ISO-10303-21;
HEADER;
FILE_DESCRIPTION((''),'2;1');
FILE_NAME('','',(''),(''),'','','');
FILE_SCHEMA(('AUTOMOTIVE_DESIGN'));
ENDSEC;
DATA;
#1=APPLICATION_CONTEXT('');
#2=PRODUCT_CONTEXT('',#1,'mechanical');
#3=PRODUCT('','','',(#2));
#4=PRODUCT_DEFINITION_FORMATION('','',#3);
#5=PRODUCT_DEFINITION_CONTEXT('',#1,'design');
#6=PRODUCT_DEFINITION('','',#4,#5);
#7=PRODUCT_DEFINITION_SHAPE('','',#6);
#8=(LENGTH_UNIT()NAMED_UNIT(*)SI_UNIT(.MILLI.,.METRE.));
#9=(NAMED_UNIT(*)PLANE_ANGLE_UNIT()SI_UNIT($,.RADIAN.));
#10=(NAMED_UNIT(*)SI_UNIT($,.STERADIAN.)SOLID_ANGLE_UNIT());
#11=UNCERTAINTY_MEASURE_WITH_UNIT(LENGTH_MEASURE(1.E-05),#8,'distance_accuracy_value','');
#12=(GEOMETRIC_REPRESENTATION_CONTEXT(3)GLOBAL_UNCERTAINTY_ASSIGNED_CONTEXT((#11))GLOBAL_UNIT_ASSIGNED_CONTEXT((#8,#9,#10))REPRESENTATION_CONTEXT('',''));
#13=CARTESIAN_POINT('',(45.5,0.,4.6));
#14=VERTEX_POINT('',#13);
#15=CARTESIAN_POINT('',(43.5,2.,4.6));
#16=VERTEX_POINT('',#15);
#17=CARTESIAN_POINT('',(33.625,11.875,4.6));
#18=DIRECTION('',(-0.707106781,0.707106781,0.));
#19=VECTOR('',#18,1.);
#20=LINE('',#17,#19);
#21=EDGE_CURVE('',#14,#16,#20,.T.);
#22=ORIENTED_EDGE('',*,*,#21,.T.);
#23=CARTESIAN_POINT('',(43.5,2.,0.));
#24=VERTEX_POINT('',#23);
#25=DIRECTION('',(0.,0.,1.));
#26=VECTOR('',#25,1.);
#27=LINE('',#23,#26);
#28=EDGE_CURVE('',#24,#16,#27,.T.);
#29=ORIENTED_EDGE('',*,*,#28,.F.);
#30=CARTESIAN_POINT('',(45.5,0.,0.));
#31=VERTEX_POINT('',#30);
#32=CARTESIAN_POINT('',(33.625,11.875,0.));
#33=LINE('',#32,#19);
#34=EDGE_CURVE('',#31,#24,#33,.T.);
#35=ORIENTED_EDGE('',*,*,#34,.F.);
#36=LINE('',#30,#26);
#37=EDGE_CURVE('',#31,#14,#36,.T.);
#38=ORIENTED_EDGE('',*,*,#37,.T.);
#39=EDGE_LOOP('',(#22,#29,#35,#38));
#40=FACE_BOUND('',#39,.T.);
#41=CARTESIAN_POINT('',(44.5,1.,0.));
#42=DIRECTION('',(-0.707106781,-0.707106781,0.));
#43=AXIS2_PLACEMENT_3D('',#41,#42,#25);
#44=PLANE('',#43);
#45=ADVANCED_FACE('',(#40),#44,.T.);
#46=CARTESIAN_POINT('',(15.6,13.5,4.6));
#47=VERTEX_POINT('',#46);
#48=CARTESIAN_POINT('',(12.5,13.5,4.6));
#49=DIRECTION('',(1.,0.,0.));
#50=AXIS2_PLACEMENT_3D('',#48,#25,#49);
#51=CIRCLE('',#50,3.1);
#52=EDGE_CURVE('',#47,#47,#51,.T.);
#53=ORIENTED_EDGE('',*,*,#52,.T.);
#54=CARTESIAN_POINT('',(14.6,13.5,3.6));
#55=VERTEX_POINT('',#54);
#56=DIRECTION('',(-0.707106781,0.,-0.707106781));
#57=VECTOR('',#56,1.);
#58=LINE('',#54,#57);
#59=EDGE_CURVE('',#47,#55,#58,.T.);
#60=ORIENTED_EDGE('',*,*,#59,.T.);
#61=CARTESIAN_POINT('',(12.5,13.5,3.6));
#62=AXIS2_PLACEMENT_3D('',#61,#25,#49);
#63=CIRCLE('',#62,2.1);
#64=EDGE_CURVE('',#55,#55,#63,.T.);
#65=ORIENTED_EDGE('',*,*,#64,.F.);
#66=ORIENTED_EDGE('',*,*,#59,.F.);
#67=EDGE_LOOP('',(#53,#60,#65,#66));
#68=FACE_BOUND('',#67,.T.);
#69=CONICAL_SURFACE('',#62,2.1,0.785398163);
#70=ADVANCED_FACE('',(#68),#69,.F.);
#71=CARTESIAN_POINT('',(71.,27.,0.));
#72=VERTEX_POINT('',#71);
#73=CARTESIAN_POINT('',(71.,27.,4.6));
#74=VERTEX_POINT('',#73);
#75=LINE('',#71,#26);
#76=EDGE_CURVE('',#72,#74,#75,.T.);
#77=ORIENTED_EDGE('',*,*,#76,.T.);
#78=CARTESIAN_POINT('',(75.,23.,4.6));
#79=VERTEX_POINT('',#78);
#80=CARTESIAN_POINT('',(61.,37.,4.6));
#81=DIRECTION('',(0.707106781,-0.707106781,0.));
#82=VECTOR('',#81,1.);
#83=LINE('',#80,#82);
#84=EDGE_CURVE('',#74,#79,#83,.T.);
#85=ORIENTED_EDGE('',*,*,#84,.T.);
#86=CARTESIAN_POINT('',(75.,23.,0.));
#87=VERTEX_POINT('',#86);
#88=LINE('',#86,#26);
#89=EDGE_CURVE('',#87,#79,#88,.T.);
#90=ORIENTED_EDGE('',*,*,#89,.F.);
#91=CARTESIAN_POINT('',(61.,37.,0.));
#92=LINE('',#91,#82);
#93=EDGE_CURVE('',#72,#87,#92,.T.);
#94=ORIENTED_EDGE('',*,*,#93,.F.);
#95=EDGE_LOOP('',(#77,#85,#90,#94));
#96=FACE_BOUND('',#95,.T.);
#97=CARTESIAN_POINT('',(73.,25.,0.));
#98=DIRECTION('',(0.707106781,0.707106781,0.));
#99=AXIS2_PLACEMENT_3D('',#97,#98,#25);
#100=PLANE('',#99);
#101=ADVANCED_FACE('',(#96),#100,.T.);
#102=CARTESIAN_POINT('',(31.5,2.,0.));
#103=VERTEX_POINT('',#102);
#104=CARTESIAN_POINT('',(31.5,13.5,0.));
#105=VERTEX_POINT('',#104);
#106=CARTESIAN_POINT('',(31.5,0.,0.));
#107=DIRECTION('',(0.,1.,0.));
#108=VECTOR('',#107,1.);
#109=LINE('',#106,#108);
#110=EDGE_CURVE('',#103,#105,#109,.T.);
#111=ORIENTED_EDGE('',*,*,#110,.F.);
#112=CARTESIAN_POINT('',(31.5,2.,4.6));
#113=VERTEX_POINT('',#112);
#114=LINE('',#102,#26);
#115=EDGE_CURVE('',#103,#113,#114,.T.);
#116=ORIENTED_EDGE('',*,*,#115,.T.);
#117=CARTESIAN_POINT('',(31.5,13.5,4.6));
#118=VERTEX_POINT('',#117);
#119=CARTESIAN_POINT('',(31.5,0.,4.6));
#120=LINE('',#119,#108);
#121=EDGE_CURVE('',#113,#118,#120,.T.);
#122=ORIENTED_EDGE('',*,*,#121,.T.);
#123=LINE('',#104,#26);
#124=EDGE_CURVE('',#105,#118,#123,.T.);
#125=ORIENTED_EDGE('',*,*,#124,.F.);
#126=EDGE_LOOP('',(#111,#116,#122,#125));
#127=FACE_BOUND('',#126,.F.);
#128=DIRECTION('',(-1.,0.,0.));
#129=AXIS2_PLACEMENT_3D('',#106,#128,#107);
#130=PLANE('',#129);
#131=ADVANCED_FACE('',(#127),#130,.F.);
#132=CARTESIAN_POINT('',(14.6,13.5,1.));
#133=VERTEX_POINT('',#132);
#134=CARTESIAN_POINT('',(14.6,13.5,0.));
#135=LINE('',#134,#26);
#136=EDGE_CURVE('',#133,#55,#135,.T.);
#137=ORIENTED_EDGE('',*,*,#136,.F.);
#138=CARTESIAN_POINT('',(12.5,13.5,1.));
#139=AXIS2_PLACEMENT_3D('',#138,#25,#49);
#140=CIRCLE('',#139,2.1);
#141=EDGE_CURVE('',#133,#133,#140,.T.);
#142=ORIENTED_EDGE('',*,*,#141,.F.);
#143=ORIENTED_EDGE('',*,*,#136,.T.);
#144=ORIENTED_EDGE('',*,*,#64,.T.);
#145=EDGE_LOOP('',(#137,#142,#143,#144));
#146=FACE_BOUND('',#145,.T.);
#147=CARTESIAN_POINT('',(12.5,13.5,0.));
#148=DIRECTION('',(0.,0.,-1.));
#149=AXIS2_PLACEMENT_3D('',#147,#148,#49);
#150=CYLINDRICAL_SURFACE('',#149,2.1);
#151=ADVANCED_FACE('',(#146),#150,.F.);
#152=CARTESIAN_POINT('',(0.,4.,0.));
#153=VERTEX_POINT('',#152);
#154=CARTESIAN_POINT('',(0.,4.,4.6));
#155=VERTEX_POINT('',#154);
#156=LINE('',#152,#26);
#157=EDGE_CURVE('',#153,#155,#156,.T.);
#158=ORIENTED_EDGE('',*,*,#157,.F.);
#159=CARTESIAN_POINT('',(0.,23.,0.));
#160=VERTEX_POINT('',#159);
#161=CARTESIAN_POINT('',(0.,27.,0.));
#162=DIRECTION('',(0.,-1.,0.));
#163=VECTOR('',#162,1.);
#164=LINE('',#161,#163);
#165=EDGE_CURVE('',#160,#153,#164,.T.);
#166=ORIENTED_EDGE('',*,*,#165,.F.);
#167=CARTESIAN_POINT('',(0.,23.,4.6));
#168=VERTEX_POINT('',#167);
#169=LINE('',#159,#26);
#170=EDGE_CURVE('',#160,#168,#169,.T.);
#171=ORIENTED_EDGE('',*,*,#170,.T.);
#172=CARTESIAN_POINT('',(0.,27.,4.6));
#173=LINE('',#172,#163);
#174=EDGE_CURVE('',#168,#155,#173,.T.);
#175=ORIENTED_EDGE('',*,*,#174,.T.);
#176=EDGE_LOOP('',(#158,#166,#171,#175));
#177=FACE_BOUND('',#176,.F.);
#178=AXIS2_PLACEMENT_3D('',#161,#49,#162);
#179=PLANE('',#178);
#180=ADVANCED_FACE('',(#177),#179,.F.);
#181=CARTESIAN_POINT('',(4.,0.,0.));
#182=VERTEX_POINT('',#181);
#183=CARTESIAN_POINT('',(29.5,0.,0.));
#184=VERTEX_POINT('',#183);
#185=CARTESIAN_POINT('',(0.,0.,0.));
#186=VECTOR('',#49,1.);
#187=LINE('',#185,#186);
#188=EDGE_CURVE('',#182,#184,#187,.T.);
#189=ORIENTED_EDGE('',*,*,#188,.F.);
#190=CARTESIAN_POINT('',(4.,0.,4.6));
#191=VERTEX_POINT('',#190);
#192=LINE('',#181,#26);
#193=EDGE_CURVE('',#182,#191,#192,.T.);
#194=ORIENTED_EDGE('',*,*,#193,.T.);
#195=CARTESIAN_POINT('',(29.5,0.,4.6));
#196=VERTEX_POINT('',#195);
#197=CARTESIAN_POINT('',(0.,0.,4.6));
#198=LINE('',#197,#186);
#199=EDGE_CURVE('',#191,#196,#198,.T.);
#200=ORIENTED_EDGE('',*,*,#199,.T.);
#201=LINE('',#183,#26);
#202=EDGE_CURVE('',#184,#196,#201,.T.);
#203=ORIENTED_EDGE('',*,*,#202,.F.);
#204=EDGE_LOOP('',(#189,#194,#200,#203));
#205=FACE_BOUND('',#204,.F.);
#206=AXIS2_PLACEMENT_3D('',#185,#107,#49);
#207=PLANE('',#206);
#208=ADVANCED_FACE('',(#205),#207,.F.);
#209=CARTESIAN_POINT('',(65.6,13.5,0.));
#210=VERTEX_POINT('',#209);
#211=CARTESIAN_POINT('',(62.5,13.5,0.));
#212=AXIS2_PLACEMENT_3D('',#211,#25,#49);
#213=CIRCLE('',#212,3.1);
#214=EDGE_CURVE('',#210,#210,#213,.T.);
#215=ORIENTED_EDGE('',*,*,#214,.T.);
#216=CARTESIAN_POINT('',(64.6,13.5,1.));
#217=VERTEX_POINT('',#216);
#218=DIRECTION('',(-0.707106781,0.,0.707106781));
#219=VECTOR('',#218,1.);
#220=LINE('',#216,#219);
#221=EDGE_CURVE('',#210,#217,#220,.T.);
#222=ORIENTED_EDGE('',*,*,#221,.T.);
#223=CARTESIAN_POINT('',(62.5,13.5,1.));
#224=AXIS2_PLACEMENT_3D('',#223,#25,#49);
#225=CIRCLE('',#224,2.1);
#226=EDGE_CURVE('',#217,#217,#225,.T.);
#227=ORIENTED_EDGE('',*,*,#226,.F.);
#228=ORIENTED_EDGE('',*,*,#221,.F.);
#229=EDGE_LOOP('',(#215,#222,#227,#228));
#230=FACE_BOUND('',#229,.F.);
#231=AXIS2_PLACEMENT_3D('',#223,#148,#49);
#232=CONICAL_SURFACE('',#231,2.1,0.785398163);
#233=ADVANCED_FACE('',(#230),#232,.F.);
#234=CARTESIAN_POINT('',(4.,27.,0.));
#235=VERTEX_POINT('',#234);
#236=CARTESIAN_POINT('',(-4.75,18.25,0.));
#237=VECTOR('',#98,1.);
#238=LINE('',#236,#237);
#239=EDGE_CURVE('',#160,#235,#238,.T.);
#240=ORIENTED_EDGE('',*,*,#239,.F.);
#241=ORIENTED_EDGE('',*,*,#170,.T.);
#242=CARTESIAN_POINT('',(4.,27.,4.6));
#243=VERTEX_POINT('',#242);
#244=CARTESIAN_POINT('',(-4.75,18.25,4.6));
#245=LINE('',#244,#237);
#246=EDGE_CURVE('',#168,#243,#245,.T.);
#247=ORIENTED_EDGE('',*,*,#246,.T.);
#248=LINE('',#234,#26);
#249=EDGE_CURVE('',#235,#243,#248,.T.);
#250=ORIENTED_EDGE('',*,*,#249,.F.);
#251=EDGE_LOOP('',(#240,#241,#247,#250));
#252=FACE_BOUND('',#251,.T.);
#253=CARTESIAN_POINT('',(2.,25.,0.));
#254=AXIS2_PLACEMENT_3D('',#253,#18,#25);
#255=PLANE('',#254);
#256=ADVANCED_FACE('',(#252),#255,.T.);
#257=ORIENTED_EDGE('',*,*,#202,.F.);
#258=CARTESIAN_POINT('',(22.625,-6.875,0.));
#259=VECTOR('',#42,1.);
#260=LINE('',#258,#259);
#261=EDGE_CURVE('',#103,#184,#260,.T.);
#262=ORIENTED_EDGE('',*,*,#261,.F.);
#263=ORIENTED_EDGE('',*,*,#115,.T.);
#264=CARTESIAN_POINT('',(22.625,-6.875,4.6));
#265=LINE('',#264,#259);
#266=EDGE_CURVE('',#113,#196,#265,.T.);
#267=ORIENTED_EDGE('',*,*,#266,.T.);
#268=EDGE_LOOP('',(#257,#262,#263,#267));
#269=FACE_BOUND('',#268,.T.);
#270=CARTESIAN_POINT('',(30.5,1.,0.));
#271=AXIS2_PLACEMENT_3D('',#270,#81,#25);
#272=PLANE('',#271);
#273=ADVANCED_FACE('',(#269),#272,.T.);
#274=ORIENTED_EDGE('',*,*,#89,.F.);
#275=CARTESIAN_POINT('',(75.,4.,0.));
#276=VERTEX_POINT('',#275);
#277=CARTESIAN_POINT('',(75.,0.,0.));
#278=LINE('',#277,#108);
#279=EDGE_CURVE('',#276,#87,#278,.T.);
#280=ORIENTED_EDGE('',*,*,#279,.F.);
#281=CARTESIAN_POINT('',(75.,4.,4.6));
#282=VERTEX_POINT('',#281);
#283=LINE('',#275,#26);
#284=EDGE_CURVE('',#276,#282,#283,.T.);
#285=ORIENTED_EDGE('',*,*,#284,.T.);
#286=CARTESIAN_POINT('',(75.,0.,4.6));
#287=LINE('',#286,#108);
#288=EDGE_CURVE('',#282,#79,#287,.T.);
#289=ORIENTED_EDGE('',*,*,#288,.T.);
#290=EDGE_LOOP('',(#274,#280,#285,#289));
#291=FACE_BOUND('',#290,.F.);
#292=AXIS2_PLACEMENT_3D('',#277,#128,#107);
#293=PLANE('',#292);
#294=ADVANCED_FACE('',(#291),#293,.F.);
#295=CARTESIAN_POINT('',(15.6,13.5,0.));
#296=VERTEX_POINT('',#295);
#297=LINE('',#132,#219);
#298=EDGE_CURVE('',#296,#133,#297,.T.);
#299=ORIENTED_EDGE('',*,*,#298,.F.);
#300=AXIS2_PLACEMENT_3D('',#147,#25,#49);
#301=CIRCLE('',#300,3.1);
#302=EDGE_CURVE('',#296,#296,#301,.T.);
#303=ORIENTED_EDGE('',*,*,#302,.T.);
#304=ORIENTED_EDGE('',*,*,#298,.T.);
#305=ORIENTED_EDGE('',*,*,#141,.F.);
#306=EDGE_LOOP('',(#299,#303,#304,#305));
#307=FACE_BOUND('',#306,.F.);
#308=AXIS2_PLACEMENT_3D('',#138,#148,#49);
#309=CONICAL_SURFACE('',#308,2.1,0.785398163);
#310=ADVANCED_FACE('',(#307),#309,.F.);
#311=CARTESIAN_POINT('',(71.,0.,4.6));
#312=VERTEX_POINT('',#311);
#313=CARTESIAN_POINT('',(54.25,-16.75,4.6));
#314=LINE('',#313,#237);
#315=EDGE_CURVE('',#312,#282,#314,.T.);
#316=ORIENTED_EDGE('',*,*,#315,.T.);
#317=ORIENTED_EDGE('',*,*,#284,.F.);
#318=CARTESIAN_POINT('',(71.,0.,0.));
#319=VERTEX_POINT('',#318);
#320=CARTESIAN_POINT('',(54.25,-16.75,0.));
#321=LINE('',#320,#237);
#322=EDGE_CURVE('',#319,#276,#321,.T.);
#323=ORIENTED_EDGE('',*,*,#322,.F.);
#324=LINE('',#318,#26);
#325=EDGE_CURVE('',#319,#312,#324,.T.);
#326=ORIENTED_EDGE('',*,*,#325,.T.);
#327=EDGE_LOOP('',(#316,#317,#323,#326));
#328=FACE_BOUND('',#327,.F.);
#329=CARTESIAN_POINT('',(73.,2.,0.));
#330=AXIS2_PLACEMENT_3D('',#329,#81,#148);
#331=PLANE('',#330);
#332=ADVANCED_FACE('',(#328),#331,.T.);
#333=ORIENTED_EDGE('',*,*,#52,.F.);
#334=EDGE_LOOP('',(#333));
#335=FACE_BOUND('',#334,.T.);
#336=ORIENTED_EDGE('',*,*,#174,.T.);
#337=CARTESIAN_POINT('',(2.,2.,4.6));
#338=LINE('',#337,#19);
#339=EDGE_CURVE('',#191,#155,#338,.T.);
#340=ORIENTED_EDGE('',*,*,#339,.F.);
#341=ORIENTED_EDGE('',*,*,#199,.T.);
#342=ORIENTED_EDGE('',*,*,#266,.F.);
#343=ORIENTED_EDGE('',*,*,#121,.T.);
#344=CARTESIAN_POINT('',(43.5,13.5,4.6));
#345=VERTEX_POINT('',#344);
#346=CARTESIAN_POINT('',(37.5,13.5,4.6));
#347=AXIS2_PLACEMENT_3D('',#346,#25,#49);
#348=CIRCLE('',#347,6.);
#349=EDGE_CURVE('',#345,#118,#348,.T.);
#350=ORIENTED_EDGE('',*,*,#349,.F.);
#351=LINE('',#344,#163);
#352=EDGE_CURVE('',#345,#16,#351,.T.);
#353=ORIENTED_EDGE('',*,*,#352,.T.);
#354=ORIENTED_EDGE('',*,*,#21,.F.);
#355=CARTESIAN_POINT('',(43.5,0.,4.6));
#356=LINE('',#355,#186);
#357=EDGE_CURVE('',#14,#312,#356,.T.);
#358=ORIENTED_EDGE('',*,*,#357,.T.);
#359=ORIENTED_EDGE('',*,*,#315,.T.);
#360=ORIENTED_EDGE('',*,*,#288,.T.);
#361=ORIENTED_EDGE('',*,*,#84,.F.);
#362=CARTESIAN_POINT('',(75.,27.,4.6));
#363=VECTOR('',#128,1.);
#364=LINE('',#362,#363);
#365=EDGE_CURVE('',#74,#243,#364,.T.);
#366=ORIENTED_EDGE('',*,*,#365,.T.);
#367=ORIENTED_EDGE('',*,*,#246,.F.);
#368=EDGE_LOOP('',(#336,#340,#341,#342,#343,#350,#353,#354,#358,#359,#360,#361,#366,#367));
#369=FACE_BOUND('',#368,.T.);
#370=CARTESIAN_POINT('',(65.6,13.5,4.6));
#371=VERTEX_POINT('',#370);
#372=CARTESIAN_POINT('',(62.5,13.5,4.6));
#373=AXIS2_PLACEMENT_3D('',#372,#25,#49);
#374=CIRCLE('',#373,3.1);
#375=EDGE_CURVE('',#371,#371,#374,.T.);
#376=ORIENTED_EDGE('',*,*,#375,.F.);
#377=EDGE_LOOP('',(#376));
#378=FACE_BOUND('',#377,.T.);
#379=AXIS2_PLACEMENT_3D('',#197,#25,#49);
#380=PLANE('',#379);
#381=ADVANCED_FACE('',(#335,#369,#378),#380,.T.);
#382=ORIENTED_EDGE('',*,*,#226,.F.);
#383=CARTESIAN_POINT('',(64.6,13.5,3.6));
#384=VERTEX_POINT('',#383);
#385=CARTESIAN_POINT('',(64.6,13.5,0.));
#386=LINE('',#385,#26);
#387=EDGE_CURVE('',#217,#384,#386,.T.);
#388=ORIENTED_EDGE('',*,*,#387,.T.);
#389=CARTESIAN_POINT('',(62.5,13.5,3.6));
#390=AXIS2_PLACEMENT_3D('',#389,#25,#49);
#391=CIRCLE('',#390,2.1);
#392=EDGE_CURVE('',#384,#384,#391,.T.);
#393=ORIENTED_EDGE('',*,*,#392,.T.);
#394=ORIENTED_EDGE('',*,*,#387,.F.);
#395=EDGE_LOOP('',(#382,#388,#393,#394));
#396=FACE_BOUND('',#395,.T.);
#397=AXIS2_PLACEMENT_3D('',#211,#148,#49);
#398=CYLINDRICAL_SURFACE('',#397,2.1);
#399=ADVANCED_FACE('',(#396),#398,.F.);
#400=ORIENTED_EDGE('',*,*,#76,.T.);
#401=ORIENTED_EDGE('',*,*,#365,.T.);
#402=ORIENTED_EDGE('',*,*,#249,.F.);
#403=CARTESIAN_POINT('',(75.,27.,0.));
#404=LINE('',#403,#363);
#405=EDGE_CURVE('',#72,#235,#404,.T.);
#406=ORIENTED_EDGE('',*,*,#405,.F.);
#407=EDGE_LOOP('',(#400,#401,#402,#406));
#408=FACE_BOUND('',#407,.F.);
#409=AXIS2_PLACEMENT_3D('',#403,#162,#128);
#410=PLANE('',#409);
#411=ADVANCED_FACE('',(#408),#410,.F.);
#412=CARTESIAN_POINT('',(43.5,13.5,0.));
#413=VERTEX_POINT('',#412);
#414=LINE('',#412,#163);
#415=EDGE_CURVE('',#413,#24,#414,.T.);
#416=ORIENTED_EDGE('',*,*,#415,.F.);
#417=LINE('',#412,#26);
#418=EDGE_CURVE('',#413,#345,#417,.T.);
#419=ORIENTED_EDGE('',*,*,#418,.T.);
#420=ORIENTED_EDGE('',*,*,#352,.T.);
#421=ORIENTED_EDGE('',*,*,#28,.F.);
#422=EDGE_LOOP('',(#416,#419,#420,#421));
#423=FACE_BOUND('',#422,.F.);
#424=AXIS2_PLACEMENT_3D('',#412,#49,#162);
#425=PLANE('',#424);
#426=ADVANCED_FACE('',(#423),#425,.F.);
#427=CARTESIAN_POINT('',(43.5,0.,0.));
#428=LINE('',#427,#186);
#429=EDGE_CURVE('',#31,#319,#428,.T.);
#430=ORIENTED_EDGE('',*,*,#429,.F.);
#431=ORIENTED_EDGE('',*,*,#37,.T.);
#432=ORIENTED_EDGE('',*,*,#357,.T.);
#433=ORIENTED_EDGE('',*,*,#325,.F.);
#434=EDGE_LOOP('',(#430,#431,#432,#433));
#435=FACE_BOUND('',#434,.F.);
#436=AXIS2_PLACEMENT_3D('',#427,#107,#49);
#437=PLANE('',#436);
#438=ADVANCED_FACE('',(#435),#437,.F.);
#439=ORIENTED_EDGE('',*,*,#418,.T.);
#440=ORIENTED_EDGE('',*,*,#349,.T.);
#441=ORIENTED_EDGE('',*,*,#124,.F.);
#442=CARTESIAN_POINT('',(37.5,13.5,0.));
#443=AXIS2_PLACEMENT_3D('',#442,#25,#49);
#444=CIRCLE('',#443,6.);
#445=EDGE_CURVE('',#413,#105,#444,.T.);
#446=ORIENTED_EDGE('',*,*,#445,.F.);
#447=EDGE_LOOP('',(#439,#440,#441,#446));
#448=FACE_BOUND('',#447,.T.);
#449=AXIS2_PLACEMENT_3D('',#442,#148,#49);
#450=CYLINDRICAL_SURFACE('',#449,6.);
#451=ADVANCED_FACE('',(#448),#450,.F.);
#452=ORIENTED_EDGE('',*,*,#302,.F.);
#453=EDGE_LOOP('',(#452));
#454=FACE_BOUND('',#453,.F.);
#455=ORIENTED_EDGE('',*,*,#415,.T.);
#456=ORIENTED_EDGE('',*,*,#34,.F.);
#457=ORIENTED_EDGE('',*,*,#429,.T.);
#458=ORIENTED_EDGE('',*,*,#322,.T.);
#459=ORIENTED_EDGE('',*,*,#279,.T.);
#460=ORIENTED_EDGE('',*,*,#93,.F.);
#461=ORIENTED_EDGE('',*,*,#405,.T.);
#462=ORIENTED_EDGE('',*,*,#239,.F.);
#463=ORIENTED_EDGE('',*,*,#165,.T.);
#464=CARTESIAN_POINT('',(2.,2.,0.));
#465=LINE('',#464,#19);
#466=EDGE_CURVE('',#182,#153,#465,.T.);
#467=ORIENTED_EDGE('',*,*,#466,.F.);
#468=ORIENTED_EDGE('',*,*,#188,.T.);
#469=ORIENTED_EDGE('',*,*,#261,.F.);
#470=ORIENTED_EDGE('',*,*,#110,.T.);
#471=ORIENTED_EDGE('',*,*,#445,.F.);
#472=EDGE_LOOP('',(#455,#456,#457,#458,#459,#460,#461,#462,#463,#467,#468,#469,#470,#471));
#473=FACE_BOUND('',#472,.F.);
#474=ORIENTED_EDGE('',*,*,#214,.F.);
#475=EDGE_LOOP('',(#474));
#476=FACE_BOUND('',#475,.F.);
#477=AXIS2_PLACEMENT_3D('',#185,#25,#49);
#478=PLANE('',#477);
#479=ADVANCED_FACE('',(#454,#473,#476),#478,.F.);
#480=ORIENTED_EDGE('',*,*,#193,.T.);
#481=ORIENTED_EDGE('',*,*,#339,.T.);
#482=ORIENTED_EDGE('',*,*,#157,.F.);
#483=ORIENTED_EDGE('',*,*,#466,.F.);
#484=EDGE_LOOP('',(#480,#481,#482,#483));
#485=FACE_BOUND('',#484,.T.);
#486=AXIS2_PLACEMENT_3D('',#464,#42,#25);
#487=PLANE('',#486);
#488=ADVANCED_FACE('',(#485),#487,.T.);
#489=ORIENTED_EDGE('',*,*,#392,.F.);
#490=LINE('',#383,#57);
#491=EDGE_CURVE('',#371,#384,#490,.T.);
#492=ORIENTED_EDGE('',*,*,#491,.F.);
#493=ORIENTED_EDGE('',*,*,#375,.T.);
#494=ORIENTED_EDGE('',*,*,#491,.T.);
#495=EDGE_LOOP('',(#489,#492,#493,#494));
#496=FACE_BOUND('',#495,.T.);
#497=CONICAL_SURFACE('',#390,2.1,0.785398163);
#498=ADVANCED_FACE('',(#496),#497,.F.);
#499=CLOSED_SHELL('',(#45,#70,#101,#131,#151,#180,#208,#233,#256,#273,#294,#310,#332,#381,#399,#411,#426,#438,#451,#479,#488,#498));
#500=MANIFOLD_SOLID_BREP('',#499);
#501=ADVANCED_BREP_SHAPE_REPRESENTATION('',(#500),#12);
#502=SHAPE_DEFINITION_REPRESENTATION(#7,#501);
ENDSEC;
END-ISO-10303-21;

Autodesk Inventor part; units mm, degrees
ref_plane "YZ Plane" through (0, 0, 0) normal (1, 0, 0) x (0, 1, 0)
ref_plane "XZ Plane" through (0, 0, 0) normal (0, 1, 0) x (-1, 0, 0)
ref_plane "XY Plane" through (0, 0, 0) normal (0, 0, 1) x (1, 0, 0)
sketch "Sketch1" plane through (0, 0, 0) normal (0, 0, 1) x (1, 0, 0)
  line L0 (75, 0) -> (75, 27)
  line L1 (75, 27) -> (0, 27)
  line L2 (0, 27) -> (0, 0)
  line L3 (31.5, 0) -> (31.5, 13.5)
  arc A0 (43.5, 13.5) -> (31.5, 13.5) centre (37.5, 13.5) ccw
  line L4 (43.5, 13.5) -> (43.5, 0)
  line L5 (0, 0) -> (31.5, 0)
  line L6 (43.5, 0) -> (75, 0)
  circle A1 centre (12.5, 13.5) radius 2.1
  circle A2 centre (62.5, 13.5) radius 2.1
  point P0 (37.5, 27)
  point P1 (0, 13.5)
  dimension "d0" = 12
  dimension "d1" = 4.2
  dimension "d2" = 50
  dimension "d3" = 25
  dimension "d4" = 75
  dimension "d6" = 13.5
extrude "Extrusion1" add sketch "Sketch1" along normal blind 4.6
chamfer "Chamfer1" distance 4 angle 45 4 edges at (0, 27, 2.3) (0, 0, 2.3) (75, 0, 2.3) (75, 27, 2.3)
chamfer "Chamfer2" distance 2 angle 45 2 edges at (31.5, 0, 2.3) (43.5, 0, 2.3)
chamfer "Chamfer3" distance 1 angle 45 4 edges at (10.4, 13.5, 4.6) (10.4, 13.5, 0) (60.4, 13.5, 0) (60.4, 13.5, 4.6)
equation "\"d3\" = 0.5 * d2"
properties part number "hotend_mount" material "Polycarbonate, Clear"
